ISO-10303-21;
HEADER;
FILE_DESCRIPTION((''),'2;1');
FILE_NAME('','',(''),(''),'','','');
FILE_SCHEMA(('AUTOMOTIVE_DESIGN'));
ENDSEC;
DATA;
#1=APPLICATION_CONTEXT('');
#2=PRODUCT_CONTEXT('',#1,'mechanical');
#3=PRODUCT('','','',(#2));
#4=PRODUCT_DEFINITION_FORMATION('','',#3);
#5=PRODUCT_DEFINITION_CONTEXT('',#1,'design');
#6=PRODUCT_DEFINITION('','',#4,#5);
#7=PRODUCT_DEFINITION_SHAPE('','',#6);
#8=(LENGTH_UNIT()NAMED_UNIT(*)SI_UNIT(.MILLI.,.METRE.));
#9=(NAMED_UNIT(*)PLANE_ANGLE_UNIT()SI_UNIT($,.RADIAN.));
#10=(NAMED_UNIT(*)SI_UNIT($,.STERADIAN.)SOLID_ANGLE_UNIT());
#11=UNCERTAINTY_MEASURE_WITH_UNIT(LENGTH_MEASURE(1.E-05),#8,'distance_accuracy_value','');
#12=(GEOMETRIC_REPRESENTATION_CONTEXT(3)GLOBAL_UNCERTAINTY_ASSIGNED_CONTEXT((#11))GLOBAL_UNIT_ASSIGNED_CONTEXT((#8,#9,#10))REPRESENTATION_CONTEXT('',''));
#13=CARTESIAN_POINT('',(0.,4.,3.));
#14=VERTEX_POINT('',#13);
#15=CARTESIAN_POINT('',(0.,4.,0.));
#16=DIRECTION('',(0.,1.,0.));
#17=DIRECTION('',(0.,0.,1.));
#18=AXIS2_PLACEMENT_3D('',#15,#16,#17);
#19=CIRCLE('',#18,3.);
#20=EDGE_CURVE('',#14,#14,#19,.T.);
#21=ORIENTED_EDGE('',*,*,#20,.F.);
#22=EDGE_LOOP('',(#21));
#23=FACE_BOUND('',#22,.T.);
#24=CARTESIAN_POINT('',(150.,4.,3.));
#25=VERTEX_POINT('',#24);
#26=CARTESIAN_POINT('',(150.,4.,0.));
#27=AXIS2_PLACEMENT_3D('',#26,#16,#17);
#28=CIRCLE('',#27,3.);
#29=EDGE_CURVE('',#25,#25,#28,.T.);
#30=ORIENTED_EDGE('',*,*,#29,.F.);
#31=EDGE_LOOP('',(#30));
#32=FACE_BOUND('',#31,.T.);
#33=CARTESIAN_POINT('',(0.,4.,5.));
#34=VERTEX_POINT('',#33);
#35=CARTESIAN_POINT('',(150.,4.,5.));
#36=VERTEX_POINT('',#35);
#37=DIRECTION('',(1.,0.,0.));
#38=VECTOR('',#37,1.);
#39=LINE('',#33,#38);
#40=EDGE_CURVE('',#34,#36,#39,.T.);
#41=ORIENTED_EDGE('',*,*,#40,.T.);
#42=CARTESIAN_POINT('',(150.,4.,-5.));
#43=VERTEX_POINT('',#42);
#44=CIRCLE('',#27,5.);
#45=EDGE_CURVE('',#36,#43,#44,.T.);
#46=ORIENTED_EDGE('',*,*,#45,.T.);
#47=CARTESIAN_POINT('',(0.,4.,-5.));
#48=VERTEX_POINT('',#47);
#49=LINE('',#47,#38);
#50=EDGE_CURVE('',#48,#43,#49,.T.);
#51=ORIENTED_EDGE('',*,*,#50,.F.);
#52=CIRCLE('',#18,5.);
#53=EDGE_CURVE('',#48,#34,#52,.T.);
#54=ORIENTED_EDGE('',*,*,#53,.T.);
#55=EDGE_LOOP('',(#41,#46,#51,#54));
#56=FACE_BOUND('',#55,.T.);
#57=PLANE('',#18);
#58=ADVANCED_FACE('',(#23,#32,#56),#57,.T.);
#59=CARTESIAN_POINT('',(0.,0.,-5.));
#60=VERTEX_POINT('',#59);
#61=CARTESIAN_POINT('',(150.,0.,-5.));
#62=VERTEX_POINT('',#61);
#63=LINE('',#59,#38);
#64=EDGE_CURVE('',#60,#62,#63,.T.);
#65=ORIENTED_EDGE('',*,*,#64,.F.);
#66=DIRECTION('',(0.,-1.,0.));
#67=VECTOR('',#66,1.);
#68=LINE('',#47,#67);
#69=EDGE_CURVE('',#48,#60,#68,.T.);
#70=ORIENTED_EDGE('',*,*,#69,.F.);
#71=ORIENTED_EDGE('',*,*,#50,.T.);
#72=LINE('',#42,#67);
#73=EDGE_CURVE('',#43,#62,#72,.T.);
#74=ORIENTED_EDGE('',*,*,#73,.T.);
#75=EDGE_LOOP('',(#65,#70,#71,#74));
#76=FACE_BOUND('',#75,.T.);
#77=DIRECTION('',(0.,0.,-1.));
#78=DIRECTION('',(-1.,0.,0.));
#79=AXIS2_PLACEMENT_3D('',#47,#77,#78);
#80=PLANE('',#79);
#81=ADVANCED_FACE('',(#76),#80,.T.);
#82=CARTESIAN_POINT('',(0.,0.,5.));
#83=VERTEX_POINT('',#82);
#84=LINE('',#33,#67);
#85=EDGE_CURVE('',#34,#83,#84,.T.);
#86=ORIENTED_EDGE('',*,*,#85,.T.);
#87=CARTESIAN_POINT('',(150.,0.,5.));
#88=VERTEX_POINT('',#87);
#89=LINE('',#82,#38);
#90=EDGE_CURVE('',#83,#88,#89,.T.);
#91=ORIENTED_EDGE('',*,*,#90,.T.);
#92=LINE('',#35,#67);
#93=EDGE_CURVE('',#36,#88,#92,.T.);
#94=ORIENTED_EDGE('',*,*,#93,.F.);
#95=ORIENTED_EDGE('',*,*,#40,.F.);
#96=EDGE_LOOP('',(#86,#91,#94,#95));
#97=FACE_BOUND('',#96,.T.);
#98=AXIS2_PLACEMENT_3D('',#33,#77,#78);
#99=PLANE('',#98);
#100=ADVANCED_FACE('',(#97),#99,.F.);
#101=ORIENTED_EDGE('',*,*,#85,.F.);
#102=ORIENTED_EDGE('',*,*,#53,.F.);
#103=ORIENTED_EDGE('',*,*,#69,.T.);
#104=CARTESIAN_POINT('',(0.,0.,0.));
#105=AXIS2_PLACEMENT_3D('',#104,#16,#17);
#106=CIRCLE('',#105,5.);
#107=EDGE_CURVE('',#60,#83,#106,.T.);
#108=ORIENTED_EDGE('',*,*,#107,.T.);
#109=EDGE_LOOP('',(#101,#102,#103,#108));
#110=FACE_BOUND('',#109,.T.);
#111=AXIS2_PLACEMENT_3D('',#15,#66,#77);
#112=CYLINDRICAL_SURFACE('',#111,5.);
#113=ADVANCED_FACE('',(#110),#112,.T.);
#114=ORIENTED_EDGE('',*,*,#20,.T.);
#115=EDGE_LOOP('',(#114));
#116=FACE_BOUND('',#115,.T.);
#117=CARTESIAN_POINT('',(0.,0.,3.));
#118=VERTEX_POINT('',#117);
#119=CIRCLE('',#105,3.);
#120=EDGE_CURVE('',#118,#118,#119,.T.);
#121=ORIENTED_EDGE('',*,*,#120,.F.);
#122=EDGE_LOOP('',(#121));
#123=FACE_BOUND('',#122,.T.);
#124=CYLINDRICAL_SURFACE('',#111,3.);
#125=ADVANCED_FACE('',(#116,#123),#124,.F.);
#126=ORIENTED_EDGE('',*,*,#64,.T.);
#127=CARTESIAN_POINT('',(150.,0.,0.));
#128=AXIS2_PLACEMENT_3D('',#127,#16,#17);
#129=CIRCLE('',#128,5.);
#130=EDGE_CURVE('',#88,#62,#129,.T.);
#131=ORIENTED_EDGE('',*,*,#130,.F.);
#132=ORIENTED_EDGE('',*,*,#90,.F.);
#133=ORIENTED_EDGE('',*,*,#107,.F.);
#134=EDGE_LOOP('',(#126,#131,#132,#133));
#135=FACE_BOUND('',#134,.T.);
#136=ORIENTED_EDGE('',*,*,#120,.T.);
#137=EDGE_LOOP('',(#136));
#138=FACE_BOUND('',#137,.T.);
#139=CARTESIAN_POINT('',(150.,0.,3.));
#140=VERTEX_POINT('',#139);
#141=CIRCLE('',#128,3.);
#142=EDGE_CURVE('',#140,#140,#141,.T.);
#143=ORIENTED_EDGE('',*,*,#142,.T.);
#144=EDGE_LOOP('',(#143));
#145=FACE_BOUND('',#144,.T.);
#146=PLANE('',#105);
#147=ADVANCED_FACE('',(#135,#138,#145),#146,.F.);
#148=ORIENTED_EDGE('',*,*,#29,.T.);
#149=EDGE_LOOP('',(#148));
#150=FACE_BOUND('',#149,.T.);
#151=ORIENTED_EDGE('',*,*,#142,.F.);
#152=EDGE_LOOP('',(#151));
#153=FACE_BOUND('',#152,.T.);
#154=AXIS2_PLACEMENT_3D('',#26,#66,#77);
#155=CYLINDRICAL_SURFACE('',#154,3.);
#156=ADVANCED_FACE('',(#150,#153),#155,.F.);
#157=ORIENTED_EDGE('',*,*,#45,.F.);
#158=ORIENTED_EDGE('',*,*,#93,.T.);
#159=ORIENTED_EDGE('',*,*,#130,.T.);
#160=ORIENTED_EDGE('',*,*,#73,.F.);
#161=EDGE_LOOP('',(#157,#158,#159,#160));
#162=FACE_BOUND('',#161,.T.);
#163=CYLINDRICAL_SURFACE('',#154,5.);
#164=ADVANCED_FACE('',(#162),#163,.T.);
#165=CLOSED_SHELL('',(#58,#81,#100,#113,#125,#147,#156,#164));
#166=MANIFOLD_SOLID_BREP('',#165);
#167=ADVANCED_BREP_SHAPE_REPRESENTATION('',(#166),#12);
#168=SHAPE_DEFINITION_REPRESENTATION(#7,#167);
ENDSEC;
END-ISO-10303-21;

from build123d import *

# Parameters (mm, degrees)
SKETCH1_R           = 3
BOSS_EXTRUDE1_DEPTH = 4


with BuildPart() as part:
    # Sketch1 → Boss-Extrude1 (new body)
    with BuildSketch(Plane(origin=(0, 0, 0), x_dir=(1, 0, 0), z_dir=(0, 1, 0))):
        with BuildLine():
            Line((150, 5), (0, 5))
            ThreePointArc((0, 5), (-5, 0), (0, -5))
            Line((0, -5), (150, -5))
            ThreePointArc((150, -5), (155, 0), (150, 5))
        make_face()
        Circle(SKETCH1_R, mode=Mode.SUBTRACT)
        with Locations((150, 0)):
            Circle(SKETCH1_R, mode=Mode.SUBTRACT)
    extrude(amount=BOSS_EXTRUDE1_DEPTH)


solid = part.part
